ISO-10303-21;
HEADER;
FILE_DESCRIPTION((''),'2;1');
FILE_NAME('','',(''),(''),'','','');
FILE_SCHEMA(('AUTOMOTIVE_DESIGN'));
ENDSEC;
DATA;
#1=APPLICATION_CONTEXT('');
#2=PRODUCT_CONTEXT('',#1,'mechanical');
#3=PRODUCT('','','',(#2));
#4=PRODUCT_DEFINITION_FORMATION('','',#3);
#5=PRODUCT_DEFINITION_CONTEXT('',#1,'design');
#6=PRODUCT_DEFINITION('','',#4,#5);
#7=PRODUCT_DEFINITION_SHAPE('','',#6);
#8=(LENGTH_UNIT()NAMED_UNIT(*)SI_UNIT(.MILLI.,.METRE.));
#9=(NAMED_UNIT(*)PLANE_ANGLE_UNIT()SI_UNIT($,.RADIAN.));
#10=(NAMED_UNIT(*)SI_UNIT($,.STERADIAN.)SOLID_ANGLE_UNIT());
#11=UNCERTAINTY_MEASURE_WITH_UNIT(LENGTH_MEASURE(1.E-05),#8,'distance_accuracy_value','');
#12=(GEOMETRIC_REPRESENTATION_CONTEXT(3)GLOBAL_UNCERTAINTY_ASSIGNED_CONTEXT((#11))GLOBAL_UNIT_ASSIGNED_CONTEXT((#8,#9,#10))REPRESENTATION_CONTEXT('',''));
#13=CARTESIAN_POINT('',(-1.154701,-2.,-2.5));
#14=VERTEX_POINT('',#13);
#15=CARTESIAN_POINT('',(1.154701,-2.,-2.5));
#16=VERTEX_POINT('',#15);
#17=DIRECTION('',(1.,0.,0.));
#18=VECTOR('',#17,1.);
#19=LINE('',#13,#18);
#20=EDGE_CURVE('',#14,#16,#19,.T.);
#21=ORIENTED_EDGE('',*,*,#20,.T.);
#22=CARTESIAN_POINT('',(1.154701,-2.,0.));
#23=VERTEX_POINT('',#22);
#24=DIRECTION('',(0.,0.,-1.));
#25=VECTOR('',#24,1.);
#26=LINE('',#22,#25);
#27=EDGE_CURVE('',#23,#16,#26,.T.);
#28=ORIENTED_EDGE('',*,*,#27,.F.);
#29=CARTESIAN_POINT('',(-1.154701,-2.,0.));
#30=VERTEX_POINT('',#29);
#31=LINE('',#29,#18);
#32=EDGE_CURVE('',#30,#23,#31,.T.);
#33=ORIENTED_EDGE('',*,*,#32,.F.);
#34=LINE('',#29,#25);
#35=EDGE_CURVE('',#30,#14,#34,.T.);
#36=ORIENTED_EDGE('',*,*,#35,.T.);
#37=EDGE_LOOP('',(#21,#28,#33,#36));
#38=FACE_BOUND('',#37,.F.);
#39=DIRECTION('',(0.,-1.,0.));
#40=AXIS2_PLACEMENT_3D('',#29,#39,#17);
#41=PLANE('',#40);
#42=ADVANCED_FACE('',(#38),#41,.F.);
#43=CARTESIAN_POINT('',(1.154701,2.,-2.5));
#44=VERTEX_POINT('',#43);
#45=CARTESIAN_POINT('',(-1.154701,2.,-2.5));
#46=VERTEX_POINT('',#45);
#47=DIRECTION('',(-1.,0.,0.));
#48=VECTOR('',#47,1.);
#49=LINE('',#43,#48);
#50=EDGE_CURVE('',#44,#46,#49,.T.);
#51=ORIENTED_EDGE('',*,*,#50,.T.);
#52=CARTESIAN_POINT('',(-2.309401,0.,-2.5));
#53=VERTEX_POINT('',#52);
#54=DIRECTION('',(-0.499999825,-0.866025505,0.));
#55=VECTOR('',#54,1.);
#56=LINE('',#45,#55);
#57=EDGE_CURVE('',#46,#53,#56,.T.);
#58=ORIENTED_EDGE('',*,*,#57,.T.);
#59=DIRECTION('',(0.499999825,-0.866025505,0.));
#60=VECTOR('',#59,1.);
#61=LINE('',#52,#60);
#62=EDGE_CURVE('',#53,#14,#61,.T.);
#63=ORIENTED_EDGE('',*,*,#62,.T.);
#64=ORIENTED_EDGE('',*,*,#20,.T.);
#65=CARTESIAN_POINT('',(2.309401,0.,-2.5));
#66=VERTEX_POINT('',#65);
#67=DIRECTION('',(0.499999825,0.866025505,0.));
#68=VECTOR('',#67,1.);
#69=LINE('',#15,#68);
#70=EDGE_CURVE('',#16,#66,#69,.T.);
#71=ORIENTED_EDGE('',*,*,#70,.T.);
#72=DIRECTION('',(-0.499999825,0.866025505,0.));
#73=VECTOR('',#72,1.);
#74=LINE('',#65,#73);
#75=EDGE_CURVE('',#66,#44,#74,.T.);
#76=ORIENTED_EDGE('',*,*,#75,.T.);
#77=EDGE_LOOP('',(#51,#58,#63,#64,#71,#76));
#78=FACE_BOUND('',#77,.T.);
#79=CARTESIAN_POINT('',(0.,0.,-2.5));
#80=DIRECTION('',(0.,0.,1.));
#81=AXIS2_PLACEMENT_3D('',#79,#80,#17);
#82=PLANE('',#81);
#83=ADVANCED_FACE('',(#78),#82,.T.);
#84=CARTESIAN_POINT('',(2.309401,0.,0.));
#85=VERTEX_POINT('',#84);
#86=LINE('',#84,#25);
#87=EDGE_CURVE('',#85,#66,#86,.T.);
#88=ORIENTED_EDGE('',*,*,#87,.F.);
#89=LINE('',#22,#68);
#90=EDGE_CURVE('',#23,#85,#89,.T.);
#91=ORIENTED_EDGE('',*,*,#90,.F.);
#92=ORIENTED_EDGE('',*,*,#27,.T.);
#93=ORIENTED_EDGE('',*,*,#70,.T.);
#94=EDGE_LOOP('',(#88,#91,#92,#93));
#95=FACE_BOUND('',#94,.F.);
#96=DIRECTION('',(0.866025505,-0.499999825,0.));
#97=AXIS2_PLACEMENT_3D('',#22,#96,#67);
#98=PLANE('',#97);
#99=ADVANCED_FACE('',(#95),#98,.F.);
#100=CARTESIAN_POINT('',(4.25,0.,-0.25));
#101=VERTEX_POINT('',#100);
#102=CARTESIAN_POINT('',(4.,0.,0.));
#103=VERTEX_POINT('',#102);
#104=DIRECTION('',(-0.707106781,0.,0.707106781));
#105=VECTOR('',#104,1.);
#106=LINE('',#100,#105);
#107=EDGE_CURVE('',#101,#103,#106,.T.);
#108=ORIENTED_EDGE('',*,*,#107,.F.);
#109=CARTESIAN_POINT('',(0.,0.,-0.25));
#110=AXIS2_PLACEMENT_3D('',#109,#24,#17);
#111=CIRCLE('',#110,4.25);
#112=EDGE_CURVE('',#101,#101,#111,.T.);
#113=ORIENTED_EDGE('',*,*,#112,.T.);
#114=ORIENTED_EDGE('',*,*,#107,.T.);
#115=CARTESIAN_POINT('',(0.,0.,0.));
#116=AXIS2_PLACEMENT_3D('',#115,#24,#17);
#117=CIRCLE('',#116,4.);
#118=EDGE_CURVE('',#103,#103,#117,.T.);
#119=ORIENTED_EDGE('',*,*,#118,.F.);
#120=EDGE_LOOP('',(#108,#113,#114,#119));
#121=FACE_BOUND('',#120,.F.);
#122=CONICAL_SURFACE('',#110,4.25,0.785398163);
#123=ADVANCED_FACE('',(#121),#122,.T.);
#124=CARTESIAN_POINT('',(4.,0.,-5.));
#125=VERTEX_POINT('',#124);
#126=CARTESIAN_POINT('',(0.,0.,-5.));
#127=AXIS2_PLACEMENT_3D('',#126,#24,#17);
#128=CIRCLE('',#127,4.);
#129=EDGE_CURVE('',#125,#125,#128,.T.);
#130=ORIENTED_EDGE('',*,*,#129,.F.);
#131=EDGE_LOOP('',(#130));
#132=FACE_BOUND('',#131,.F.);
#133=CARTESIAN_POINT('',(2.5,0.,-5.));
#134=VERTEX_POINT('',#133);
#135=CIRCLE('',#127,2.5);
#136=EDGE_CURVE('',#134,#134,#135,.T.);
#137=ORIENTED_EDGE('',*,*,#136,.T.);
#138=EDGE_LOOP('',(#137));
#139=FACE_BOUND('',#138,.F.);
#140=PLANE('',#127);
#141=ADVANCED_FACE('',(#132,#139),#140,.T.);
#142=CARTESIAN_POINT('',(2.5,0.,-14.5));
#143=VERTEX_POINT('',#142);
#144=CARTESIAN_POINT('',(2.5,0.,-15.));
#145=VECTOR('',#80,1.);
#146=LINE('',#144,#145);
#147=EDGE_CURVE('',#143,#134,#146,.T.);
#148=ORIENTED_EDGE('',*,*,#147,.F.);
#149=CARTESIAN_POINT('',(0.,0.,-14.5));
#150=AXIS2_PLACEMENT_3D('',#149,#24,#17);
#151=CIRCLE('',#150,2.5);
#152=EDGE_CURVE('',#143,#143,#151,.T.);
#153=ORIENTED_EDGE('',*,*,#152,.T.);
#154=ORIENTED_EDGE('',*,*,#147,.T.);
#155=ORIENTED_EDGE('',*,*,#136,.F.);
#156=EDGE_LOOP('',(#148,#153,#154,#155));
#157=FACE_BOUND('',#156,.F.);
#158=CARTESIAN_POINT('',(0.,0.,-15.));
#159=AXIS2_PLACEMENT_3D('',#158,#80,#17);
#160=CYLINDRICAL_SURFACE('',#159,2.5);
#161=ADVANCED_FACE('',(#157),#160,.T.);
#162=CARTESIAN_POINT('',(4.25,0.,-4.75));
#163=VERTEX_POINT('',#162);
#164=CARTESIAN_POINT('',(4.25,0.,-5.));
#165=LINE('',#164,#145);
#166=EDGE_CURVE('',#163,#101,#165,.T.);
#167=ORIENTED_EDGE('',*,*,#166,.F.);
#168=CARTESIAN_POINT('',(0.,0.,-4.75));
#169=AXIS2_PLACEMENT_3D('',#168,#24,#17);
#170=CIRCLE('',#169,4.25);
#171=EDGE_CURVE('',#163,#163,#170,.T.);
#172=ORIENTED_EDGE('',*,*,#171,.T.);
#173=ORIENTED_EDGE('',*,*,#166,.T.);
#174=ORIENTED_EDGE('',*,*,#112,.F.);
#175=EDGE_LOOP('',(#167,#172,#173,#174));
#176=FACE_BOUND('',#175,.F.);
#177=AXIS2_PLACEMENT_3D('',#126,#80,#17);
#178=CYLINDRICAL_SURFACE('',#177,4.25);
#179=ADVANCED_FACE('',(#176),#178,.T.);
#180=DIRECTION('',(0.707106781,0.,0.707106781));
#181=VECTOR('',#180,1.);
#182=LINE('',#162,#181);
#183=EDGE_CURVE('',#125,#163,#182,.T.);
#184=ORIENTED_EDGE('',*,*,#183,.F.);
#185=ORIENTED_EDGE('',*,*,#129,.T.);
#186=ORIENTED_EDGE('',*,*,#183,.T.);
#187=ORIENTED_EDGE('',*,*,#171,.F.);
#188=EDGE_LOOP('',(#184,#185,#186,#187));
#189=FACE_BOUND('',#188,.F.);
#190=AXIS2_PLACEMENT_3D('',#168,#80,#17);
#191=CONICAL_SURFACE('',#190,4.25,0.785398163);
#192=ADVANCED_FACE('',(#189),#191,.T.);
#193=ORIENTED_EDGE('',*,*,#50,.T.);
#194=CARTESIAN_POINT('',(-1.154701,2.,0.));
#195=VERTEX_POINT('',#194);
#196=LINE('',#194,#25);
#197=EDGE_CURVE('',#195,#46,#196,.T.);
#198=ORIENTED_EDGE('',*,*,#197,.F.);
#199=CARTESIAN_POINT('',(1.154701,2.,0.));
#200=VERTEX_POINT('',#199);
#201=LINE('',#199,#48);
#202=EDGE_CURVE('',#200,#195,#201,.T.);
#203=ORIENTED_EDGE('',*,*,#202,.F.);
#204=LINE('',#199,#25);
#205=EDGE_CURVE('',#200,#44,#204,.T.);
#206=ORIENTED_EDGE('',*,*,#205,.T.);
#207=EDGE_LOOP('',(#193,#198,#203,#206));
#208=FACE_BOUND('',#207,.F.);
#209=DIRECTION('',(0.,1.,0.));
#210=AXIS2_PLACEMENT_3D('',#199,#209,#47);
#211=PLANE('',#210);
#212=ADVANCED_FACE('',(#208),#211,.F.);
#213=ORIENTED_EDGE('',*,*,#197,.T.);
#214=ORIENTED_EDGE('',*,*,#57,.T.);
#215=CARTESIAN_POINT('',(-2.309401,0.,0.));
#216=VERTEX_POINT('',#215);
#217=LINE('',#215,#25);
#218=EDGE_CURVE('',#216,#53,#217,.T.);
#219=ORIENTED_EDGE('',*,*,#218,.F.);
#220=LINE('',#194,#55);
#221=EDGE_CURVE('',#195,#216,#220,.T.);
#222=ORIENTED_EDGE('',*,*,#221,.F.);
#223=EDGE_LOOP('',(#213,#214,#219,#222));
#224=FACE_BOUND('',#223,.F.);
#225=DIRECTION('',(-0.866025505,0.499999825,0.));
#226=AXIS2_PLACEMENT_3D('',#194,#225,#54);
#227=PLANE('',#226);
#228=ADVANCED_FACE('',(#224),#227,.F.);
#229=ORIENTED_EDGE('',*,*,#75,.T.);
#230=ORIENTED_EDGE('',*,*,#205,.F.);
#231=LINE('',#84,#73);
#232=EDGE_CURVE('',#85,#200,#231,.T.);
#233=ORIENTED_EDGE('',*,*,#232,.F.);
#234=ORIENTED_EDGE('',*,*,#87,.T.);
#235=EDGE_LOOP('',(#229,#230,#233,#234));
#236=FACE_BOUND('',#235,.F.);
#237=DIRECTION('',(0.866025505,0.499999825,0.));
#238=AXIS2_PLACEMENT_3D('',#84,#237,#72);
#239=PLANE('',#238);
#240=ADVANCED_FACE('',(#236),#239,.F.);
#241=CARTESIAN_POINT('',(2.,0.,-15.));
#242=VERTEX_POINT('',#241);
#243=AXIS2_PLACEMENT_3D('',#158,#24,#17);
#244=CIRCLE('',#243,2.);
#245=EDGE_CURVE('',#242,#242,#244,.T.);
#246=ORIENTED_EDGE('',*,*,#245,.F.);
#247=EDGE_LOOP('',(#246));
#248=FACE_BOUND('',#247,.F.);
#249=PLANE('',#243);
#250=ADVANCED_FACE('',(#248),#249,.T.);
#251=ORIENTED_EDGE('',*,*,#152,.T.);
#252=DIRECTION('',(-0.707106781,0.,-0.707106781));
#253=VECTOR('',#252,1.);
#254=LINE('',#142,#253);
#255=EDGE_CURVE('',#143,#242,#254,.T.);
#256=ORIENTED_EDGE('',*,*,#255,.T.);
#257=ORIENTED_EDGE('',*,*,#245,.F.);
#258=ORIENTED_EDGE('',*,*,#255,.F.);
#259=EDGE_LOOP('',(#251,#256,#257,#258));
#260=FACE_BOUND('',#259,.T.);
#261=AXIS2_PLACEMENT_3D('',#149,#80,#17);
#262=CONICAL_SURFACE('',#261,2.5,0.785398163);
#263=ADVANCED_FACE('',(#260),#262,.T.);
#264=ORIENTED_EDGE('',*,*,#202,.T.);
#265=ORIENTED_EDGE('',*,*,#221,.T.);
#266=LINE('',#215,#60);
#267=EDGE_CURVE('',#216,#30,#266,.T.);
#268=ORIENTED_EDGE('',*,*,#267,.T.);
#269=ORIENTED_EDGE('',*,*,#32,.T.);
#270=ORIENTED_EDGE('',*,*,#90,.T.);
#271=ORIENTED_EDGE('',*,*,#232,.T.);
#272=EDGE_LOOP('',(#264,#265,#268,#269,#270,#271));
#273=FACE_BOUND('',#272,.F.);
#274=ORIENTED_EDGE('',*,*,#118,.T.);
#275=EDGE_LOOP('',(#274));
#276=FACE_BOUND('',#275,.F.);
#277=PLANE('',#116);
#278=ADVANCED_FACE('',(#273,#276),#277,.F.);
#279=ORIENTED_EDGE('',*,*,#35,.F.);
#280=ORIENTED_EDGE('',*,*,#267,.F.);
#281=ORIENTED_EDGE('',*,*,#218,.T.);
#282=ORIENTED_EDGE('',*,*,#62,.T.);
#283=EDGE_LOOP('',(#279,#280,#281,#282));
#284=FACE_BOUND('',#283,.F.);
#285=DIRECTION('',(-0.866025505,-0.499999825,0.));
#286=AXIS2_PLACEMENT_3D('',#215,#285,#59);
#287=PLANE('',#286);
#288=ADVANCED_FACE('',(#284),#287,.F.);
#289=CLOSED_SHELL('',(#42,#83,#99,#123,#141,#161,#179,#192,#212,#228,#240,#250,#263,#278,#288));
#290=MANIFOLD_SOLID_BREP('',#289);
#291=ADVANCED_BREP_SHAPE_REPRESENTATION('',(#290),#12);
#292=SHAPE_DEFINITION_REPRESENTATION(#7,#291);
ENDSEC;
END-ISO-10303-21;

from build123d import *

# Parameters (mm, degrees)
F3_DEPTH = 2.5
F4_SIZE  = 0.5
F5_SIZE  = 0.25


with BuildPart() as f1:
    # F0 (on Front) → F1 (revolve)
    with BuildSketch(Plane.XZ):
        Polygon((4.25, 0), (0, 0), (0, -15), (2.5, -15), (2.5, -5), (4.25, -5), align=None)
    revolve(axis=Axis((0, 0, -7.5), (0, 0, -1)))

    # F2 (on face) → F3 (cut)
    with BuildSketch(Plane.XY):
        Polygon((1.154701, 2), (-1.154701, 2), (-2.309401, 0), (-1.154701, -2), (1.154701, -2), (2.309401, 0), align=None)
    extrude(amount=-F3_DEPTH, mode=Mode.SUBTRACT)

    # F4
    f4_edges = [f1.edges().sort_by_distance(p)[0] for p in [
        (-2.5, 0, -15),
    ]]
    chamfer(f4_edges, length=F4_SIZE)

    # F5
    f5_edges = [f1.edges().sort_by_distance(p)[0] for p in [
        (-4.25, 0, 0),
        (-4.25, 0, -5),
    ]]
    chamfer(f5_edges, length=F5_SIZE)


solid = f1.part
